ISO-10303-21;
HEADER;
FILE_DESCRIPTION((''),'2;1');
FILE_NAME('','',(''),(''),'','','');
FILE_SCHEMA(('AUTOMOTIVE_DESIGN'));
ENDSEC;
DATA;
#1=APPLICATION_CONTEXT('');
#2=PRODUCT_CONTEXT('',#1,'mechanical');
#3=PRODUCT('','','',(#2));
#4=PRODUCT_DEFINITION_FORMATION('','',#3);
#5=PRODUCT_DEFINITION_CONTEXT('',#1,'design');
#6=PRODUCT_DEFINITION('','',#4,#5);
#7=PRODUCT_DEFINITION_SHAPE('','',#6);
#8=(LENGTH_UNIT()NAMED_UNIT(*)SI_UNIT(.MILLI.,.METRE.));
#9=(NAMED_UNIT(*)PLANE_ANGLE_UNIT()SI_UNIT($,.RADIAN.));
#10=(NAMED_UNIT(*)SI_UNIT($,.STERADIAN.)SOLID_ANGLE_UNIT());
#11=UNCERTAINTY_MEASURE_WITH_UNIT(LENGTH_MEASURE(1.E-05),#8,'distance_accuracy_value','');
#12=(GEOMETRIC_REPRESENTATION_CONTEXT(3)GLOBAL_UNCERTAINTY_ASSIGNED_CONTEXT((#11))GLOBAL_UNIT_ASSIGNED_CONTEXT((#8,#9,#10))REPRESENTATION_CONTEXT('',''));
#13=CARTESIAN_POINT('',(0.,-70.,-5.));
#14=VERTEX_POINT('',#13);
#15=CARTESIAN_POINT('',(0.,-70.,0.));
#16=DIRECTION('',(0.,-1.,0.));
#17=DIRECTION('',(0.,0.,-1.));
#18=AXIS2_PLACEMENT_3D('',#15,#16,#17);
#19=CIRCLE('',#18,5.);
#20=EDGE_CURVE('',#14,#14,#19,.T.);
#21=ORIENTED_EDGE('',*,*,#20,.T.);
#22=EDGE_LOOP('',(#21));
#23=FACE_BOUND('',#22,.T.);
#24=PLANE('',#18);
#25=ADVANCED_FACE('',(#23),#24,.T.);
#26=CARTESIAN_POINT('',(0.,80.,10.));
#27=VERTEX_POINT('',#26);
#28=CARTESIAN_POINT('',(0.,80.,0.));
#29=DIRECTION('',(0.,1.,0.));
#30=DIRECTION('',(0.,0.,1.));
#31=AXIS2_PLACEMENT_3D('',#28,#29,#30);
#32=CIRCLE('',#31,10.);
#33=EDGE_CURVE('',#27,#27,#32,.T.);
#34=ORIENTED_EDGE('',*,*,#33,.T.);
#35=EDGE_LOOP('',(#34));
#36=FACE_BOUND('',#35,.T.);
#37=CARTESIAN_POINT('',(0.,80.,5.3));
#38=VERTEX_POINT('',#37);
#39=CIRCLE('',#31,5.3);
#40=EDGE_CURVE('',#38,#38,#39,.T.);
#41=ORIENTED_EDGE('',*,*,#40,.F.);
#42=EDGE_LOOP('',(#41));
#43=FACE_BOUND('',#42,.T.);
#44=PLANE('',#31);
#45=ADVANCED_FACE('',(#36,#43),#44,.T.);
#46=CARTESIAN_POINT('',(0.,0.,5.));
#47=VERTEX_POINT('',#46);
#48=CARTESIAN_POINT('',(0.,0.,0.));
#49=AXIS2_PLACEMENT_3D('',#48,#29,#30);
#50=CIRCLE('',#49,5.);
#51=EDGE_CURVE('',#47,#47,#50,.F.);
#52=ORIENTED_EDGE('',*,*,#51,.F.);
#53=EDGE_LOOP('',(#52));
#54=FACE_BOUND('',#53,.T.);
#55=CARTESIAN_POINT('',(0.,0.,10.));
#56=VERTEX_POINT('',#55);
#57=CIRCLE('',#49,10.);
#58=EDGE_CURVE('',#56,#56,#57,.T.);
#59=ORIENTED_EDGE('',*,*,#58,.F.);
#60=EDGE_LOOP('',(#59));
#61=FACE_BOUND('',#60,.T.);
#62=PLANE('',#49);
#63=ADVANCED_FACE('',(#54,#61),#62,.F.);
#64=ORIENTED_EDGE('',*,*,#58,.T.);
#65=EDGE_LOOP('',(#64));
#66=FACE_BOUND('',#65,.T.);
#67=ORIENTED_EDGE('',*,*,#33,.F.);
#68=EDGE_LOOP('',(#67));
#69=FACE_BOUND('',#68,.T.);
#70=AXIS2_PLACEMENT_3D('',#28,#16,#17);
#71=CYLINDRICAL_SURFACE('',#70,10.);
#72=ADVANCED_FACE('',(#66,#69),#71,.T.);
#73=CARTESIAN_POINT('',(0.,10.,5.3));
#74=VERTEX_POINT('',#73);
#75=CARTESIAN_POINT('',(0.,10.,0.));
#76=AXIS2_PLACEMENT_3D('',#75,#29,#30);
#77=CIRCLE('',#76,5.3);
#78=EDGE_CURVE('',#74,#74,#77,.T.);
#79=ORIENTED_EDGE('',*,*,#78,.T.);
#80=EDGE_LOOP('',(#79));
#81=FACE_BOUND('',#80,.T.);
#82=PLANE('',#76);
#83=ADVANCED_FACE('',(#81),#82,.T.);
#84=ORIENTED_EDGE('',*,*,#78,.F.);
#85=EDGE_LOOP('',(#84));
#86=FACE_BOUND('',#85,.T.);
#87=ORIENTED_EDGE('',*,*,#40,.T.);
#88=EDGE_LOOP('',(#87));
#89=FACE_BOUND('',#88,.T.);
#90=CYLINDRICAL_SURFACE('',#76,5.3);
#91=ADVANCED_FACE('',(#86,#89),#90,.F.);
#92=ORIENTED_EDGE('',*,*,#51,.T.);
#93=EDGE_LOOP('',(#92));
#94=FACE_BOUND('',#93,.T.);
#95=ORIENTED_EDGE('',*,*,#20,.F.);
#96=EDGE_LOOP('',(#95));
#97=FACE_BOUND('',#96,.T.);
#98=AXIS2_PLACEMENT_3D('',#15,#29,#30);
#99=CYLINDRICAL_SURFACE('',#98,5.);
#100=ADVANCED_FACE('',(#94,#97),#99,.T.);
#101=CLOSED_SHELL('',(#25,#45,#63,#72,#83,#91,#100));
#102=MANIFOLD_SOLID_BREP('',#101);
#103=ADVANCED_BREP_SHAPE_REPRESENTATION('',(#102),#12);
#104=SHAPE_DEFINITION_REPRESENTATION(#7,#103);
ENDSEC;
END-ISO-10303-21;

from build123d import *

# Parameters (mm, degrees)
SKETCH15_R           = 10
BOSS_EXTRUDE11_DEPTH = 80
SKETCH16_R           = 5.3
CUT_EXTRUDE1_DEPTH   = 70
SKETCH18_R           = 5
BOSS_EXTRUDE14_DEPTH = 70


with BuildPart() as part:
    # Sketch15 → Boss-Extrude11 (new body)
    with BuildSketch(Plane(origin=(0, 0, 0), x_dir=(1, 0, 0), z_dir=(0, 1, 0))):
        Circle(SKETCH15_R)
    extrude(amount=BOSS_EXTRUDE11_DEPTH)

    # Sketch16 → Cut-Extrude1 (cut)
    with BuildSketch(Plane(origin=(0, 80, 0), x_dir=(1, 0, 0), z_dir=(0, 1, 0))):
        Circle(SKETCH16_R)
    extrude(amount=-CUT_EXTRUDE1_DEPTH, mode=Mode.SUBTRACT)

    # Sketch18 → Boss-Extrude14 (add)
    with BuildSketch(Plane.XZ):
        Circle(SKETCH18_R)
    extrude(amount=BOSS_EXTRUDE14_DEPTH)


solid = part.part
